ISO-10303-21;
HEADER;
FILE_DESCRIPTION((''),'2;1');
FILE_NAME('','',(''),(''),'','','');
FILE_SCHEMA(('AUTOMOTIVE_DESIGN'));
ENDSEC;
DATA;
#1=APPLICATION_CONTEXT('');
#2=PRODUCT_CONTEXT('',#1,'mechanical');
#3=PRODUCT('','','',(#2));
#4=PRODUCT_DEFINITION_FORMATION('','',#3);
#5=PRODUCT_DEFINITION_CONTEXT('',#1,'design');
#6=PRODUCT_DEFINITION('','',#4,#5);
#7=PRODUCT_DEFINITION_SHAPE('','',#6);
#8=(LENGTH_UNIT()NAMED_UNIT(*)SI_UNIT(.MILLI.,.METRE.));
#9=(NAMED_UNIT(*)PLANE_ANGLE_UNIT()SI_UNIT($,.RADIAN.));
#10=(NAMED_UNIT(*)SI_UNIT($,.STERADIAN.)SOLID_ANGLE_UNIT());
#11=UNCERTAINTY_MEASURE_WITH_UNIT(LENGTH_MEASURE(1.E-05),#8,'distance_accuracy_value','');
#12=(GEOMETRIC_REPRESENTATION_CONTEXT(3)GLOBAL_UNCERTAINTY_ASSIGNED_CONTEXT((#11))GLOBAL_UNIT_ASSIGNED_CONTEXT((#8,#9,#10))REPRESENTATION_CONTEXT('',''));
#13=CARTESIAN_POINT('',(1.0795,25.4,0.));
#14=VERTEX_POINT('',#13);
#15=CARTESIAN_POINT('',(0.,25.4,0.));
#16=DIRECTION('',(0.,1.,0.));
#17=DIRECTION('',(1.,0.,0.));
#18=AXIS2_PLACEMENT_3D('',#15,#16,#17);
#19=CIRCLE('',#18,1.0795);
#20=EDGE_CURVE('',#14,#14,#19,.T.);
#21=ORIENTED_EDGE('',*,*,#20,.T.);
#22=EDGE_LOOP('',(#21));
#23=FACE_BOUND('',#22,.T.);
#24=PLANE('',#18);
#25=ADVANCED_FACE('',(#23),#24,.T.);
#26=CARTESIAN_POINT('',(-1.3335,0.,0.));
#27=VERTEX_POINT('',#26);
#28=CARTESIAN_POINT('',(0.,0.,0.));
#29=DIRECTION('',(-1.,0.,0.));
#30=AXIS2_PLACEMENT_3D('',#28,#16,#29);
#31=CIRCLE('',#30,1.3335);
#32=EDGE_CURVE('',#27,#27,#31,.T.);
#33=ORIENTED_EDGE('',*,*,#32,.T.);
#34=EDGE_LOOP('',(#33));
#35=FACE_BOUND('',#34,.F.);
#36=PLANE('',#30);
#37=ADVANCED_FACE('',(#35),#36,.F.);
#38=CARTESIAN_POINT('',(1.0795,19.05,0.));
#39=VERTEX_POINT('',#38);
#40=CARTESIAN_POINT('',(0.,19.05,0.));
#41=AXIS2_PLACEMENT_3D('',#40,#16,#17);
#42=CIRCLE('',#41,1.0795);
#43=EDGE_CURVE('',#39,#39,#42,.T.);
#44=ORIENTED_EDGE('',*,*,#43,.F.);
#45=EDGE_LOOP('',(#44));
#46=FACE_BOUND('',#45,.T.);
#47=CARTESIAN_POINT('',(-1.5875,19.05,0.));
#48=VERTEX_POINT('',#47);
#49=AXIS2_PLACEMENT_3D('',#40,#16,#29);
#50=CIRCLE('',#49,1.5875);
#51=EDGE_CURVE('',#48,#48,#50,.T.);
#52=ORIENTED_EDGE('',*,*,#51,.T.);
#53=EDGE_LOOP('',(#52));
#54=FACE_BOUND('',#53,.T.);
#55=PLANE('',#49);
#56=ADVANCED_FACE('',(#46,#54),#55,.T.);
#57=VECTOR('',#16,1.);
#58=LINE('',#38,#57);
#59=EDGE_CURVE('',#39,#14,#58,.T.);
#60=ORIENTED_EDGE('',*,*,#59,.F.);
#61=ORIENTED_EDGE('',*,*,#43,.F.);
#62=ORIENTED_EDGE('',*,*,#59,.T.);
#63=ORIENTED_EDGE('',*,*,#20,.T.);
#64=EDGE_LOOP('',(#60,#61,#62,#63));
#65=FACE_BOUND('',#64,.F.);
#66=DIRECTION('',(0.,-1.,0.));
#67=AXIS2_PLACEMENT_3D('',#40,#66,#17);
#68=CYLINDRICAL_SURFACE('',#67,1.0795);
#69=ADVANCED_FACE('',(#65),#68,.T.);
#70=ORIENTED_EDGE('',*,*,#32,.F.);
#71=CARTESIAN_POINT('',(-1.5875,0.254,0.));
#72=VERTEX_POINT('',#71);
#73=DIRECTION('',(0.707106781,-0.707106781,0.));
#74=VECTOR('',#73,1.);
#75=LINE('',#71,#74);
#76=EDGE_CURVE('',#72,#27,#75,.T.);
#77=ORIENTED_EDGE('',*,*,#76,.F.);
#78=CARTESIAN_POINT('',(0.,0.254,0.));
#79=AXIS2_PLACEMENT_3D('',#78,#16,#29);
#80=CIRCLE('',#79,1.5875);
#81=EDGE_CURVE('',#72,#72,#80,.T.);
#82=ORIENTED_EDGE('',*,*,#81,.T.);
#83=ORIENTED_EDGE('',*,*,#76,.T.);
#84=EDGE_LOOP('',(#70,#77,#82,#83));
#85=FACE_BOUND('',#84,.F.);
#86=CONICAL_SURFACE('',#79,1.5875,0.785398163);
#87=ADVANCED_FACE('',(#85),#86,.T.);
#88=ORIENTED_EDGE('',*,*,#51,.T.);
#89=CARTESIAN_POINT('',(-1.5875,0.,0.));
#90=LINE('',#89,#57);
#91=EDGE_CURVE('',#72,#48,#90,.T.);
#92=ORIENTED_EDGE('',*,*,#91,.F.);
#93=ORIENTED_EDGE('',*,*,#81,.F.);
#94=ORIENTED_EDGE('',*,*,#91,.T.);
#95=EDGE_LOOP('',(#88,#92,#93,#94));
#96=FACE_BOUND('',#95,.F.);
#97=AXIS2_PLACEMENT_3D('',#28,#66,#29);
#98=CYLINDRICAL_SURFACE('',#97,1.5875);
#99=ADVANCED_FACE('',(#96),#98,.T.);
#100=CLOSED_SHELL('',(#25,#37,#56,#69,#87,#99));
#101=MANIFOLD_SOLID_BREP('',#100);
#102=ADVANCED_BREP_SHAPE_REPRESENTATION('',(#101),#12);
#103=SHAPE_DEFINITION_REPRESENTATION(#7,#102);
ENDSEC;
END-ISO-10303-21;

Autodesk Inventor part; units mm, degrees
ref_plane "YZ Plane" through (0, 0, 0) normal (1, 0, 0) x (0, 1, 0)
ref_plane "XZ Plane" through (0, 0, 0) normal (0, 1, 0) x (-1, 0, 0)
ref_plane "XY Plane" through (0, 0, 0) normal (0, 0, 1) x (1, 0, 0)
sketch "Sketch1" plane through (0, 0, 0) normal (0, 1, 0) x (-1, 0, 0)
  circle A0 centre (0, 0) radius 1.5875
  dimension "d0" = 3.175
extrude "Extrusion1" add sketch "Sketch1" along normal blind 19.05
thread "Thread1" size "5-40 UNC" class "2A" standard "ANSI Unified Screw Threads" length 17.78
sketch "Sketch2" plane through (0, 19.05, 0) normal (0, 1, 0) x (1, 0, 0)
  circle A0 centre (0, 0) radius 1.0795
  dimension "d5" = 2.159
extrude "Extrusion2" add sketch "Sketch2" along normal blind 6.35
chamfer "Chamfer1" distance 0.254 angle 45 1 edges at (1.5875, 0, 0)
sketch "Sketch3" plane through (0, 0, 0) normal (1, 0, 0) x (0, 1, 0)
  point P0 (0, 0)
properties part number "burner_rod_1or3"
